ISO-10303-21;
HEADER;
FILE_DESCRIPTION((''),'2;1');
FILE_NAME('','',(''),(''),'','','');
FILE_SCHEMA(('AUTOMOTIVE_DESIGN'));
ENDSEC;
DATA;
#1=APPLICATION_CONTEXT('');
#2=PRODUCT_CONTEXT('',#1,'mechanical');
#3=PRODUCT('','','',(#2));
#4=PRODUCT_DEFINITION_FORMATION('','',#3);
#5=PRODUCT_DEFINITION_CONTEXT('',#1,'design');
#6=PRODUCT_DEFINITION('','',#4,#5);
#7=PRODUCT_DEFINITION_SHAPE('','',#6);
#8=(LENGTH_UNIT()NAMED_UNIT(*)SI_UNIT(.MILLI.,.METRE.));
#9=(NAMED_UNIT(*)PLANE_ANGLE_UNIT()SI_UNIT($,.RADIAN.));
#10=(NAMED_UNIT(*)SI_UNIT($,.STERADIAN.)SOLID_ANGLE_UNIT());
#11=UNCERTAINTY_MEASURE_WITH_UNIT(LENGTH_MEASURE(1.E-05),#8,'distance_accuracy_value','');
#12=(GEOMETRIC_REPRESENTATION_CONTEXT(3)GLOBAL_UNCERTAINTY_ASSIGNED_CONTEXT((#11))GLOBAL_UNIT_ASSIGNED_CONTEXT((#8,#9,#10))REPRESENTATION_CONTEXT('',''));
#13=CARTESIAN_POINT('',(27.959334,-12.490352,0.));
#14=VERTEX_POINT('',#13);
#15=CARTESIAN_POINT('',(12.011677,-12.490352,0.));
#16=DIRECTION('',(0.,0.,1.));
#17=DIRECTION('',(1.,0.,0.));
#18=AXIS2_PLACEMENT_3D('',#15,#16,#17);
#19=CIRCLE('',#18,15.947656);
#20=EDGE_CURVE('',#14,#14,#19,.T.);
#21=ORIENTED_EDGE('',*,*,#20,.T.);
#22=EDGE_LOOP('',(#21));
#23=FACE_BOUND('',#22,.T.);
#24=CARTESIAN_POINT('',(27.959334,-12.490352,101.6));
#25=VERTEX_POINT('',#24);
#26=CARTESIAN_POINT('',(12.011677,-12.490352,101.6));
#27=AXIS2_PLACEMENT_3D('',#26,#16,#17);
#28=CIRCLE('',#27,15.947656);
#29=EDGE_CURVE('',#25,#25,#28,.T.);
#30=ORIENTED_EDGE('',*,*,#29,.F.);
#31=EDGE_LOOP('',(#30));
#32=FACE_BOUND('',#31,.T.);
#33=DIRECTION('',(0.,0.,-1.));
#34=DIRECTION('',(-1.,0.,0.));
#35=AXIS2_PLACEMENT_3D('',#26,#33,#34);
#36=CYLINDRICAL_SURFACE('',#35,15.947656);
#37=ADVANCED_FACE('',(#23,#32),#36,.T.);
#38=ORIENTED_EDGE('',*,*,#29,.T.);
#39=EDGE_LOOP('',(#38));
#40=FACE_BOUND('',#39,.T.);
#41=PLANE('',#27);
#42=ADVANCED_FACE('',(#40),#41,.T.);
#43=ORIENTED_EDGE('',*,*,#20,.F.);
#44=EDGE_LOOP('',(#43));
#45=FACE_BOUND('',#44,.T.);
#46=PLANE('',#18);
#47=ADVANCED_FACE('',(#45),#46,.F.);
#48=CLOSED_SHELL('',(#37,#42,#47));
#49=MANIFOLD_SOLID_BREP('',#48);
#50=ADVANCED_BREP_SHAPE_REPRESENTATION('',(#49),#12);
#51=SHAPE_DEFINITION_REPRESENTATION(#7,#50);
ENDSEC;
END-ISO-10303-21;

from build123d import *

# Parameters (mm, degrees)
SKETCH1_R           = 15.947656379
BOSS_EXTRUDE1_DEPTH = 101.6


with BuildPart() as part:
    # Sketch1 → Boss-Extrude1 (new body)
    with BuildSketch(Plane.XY):
        with Locations((12.011677439, -12.490352144)):
            Circle(SKETCH1_R)
    extrude(amount=BOSS_EXTRUDE1_DEPTH)


solid = part.part
